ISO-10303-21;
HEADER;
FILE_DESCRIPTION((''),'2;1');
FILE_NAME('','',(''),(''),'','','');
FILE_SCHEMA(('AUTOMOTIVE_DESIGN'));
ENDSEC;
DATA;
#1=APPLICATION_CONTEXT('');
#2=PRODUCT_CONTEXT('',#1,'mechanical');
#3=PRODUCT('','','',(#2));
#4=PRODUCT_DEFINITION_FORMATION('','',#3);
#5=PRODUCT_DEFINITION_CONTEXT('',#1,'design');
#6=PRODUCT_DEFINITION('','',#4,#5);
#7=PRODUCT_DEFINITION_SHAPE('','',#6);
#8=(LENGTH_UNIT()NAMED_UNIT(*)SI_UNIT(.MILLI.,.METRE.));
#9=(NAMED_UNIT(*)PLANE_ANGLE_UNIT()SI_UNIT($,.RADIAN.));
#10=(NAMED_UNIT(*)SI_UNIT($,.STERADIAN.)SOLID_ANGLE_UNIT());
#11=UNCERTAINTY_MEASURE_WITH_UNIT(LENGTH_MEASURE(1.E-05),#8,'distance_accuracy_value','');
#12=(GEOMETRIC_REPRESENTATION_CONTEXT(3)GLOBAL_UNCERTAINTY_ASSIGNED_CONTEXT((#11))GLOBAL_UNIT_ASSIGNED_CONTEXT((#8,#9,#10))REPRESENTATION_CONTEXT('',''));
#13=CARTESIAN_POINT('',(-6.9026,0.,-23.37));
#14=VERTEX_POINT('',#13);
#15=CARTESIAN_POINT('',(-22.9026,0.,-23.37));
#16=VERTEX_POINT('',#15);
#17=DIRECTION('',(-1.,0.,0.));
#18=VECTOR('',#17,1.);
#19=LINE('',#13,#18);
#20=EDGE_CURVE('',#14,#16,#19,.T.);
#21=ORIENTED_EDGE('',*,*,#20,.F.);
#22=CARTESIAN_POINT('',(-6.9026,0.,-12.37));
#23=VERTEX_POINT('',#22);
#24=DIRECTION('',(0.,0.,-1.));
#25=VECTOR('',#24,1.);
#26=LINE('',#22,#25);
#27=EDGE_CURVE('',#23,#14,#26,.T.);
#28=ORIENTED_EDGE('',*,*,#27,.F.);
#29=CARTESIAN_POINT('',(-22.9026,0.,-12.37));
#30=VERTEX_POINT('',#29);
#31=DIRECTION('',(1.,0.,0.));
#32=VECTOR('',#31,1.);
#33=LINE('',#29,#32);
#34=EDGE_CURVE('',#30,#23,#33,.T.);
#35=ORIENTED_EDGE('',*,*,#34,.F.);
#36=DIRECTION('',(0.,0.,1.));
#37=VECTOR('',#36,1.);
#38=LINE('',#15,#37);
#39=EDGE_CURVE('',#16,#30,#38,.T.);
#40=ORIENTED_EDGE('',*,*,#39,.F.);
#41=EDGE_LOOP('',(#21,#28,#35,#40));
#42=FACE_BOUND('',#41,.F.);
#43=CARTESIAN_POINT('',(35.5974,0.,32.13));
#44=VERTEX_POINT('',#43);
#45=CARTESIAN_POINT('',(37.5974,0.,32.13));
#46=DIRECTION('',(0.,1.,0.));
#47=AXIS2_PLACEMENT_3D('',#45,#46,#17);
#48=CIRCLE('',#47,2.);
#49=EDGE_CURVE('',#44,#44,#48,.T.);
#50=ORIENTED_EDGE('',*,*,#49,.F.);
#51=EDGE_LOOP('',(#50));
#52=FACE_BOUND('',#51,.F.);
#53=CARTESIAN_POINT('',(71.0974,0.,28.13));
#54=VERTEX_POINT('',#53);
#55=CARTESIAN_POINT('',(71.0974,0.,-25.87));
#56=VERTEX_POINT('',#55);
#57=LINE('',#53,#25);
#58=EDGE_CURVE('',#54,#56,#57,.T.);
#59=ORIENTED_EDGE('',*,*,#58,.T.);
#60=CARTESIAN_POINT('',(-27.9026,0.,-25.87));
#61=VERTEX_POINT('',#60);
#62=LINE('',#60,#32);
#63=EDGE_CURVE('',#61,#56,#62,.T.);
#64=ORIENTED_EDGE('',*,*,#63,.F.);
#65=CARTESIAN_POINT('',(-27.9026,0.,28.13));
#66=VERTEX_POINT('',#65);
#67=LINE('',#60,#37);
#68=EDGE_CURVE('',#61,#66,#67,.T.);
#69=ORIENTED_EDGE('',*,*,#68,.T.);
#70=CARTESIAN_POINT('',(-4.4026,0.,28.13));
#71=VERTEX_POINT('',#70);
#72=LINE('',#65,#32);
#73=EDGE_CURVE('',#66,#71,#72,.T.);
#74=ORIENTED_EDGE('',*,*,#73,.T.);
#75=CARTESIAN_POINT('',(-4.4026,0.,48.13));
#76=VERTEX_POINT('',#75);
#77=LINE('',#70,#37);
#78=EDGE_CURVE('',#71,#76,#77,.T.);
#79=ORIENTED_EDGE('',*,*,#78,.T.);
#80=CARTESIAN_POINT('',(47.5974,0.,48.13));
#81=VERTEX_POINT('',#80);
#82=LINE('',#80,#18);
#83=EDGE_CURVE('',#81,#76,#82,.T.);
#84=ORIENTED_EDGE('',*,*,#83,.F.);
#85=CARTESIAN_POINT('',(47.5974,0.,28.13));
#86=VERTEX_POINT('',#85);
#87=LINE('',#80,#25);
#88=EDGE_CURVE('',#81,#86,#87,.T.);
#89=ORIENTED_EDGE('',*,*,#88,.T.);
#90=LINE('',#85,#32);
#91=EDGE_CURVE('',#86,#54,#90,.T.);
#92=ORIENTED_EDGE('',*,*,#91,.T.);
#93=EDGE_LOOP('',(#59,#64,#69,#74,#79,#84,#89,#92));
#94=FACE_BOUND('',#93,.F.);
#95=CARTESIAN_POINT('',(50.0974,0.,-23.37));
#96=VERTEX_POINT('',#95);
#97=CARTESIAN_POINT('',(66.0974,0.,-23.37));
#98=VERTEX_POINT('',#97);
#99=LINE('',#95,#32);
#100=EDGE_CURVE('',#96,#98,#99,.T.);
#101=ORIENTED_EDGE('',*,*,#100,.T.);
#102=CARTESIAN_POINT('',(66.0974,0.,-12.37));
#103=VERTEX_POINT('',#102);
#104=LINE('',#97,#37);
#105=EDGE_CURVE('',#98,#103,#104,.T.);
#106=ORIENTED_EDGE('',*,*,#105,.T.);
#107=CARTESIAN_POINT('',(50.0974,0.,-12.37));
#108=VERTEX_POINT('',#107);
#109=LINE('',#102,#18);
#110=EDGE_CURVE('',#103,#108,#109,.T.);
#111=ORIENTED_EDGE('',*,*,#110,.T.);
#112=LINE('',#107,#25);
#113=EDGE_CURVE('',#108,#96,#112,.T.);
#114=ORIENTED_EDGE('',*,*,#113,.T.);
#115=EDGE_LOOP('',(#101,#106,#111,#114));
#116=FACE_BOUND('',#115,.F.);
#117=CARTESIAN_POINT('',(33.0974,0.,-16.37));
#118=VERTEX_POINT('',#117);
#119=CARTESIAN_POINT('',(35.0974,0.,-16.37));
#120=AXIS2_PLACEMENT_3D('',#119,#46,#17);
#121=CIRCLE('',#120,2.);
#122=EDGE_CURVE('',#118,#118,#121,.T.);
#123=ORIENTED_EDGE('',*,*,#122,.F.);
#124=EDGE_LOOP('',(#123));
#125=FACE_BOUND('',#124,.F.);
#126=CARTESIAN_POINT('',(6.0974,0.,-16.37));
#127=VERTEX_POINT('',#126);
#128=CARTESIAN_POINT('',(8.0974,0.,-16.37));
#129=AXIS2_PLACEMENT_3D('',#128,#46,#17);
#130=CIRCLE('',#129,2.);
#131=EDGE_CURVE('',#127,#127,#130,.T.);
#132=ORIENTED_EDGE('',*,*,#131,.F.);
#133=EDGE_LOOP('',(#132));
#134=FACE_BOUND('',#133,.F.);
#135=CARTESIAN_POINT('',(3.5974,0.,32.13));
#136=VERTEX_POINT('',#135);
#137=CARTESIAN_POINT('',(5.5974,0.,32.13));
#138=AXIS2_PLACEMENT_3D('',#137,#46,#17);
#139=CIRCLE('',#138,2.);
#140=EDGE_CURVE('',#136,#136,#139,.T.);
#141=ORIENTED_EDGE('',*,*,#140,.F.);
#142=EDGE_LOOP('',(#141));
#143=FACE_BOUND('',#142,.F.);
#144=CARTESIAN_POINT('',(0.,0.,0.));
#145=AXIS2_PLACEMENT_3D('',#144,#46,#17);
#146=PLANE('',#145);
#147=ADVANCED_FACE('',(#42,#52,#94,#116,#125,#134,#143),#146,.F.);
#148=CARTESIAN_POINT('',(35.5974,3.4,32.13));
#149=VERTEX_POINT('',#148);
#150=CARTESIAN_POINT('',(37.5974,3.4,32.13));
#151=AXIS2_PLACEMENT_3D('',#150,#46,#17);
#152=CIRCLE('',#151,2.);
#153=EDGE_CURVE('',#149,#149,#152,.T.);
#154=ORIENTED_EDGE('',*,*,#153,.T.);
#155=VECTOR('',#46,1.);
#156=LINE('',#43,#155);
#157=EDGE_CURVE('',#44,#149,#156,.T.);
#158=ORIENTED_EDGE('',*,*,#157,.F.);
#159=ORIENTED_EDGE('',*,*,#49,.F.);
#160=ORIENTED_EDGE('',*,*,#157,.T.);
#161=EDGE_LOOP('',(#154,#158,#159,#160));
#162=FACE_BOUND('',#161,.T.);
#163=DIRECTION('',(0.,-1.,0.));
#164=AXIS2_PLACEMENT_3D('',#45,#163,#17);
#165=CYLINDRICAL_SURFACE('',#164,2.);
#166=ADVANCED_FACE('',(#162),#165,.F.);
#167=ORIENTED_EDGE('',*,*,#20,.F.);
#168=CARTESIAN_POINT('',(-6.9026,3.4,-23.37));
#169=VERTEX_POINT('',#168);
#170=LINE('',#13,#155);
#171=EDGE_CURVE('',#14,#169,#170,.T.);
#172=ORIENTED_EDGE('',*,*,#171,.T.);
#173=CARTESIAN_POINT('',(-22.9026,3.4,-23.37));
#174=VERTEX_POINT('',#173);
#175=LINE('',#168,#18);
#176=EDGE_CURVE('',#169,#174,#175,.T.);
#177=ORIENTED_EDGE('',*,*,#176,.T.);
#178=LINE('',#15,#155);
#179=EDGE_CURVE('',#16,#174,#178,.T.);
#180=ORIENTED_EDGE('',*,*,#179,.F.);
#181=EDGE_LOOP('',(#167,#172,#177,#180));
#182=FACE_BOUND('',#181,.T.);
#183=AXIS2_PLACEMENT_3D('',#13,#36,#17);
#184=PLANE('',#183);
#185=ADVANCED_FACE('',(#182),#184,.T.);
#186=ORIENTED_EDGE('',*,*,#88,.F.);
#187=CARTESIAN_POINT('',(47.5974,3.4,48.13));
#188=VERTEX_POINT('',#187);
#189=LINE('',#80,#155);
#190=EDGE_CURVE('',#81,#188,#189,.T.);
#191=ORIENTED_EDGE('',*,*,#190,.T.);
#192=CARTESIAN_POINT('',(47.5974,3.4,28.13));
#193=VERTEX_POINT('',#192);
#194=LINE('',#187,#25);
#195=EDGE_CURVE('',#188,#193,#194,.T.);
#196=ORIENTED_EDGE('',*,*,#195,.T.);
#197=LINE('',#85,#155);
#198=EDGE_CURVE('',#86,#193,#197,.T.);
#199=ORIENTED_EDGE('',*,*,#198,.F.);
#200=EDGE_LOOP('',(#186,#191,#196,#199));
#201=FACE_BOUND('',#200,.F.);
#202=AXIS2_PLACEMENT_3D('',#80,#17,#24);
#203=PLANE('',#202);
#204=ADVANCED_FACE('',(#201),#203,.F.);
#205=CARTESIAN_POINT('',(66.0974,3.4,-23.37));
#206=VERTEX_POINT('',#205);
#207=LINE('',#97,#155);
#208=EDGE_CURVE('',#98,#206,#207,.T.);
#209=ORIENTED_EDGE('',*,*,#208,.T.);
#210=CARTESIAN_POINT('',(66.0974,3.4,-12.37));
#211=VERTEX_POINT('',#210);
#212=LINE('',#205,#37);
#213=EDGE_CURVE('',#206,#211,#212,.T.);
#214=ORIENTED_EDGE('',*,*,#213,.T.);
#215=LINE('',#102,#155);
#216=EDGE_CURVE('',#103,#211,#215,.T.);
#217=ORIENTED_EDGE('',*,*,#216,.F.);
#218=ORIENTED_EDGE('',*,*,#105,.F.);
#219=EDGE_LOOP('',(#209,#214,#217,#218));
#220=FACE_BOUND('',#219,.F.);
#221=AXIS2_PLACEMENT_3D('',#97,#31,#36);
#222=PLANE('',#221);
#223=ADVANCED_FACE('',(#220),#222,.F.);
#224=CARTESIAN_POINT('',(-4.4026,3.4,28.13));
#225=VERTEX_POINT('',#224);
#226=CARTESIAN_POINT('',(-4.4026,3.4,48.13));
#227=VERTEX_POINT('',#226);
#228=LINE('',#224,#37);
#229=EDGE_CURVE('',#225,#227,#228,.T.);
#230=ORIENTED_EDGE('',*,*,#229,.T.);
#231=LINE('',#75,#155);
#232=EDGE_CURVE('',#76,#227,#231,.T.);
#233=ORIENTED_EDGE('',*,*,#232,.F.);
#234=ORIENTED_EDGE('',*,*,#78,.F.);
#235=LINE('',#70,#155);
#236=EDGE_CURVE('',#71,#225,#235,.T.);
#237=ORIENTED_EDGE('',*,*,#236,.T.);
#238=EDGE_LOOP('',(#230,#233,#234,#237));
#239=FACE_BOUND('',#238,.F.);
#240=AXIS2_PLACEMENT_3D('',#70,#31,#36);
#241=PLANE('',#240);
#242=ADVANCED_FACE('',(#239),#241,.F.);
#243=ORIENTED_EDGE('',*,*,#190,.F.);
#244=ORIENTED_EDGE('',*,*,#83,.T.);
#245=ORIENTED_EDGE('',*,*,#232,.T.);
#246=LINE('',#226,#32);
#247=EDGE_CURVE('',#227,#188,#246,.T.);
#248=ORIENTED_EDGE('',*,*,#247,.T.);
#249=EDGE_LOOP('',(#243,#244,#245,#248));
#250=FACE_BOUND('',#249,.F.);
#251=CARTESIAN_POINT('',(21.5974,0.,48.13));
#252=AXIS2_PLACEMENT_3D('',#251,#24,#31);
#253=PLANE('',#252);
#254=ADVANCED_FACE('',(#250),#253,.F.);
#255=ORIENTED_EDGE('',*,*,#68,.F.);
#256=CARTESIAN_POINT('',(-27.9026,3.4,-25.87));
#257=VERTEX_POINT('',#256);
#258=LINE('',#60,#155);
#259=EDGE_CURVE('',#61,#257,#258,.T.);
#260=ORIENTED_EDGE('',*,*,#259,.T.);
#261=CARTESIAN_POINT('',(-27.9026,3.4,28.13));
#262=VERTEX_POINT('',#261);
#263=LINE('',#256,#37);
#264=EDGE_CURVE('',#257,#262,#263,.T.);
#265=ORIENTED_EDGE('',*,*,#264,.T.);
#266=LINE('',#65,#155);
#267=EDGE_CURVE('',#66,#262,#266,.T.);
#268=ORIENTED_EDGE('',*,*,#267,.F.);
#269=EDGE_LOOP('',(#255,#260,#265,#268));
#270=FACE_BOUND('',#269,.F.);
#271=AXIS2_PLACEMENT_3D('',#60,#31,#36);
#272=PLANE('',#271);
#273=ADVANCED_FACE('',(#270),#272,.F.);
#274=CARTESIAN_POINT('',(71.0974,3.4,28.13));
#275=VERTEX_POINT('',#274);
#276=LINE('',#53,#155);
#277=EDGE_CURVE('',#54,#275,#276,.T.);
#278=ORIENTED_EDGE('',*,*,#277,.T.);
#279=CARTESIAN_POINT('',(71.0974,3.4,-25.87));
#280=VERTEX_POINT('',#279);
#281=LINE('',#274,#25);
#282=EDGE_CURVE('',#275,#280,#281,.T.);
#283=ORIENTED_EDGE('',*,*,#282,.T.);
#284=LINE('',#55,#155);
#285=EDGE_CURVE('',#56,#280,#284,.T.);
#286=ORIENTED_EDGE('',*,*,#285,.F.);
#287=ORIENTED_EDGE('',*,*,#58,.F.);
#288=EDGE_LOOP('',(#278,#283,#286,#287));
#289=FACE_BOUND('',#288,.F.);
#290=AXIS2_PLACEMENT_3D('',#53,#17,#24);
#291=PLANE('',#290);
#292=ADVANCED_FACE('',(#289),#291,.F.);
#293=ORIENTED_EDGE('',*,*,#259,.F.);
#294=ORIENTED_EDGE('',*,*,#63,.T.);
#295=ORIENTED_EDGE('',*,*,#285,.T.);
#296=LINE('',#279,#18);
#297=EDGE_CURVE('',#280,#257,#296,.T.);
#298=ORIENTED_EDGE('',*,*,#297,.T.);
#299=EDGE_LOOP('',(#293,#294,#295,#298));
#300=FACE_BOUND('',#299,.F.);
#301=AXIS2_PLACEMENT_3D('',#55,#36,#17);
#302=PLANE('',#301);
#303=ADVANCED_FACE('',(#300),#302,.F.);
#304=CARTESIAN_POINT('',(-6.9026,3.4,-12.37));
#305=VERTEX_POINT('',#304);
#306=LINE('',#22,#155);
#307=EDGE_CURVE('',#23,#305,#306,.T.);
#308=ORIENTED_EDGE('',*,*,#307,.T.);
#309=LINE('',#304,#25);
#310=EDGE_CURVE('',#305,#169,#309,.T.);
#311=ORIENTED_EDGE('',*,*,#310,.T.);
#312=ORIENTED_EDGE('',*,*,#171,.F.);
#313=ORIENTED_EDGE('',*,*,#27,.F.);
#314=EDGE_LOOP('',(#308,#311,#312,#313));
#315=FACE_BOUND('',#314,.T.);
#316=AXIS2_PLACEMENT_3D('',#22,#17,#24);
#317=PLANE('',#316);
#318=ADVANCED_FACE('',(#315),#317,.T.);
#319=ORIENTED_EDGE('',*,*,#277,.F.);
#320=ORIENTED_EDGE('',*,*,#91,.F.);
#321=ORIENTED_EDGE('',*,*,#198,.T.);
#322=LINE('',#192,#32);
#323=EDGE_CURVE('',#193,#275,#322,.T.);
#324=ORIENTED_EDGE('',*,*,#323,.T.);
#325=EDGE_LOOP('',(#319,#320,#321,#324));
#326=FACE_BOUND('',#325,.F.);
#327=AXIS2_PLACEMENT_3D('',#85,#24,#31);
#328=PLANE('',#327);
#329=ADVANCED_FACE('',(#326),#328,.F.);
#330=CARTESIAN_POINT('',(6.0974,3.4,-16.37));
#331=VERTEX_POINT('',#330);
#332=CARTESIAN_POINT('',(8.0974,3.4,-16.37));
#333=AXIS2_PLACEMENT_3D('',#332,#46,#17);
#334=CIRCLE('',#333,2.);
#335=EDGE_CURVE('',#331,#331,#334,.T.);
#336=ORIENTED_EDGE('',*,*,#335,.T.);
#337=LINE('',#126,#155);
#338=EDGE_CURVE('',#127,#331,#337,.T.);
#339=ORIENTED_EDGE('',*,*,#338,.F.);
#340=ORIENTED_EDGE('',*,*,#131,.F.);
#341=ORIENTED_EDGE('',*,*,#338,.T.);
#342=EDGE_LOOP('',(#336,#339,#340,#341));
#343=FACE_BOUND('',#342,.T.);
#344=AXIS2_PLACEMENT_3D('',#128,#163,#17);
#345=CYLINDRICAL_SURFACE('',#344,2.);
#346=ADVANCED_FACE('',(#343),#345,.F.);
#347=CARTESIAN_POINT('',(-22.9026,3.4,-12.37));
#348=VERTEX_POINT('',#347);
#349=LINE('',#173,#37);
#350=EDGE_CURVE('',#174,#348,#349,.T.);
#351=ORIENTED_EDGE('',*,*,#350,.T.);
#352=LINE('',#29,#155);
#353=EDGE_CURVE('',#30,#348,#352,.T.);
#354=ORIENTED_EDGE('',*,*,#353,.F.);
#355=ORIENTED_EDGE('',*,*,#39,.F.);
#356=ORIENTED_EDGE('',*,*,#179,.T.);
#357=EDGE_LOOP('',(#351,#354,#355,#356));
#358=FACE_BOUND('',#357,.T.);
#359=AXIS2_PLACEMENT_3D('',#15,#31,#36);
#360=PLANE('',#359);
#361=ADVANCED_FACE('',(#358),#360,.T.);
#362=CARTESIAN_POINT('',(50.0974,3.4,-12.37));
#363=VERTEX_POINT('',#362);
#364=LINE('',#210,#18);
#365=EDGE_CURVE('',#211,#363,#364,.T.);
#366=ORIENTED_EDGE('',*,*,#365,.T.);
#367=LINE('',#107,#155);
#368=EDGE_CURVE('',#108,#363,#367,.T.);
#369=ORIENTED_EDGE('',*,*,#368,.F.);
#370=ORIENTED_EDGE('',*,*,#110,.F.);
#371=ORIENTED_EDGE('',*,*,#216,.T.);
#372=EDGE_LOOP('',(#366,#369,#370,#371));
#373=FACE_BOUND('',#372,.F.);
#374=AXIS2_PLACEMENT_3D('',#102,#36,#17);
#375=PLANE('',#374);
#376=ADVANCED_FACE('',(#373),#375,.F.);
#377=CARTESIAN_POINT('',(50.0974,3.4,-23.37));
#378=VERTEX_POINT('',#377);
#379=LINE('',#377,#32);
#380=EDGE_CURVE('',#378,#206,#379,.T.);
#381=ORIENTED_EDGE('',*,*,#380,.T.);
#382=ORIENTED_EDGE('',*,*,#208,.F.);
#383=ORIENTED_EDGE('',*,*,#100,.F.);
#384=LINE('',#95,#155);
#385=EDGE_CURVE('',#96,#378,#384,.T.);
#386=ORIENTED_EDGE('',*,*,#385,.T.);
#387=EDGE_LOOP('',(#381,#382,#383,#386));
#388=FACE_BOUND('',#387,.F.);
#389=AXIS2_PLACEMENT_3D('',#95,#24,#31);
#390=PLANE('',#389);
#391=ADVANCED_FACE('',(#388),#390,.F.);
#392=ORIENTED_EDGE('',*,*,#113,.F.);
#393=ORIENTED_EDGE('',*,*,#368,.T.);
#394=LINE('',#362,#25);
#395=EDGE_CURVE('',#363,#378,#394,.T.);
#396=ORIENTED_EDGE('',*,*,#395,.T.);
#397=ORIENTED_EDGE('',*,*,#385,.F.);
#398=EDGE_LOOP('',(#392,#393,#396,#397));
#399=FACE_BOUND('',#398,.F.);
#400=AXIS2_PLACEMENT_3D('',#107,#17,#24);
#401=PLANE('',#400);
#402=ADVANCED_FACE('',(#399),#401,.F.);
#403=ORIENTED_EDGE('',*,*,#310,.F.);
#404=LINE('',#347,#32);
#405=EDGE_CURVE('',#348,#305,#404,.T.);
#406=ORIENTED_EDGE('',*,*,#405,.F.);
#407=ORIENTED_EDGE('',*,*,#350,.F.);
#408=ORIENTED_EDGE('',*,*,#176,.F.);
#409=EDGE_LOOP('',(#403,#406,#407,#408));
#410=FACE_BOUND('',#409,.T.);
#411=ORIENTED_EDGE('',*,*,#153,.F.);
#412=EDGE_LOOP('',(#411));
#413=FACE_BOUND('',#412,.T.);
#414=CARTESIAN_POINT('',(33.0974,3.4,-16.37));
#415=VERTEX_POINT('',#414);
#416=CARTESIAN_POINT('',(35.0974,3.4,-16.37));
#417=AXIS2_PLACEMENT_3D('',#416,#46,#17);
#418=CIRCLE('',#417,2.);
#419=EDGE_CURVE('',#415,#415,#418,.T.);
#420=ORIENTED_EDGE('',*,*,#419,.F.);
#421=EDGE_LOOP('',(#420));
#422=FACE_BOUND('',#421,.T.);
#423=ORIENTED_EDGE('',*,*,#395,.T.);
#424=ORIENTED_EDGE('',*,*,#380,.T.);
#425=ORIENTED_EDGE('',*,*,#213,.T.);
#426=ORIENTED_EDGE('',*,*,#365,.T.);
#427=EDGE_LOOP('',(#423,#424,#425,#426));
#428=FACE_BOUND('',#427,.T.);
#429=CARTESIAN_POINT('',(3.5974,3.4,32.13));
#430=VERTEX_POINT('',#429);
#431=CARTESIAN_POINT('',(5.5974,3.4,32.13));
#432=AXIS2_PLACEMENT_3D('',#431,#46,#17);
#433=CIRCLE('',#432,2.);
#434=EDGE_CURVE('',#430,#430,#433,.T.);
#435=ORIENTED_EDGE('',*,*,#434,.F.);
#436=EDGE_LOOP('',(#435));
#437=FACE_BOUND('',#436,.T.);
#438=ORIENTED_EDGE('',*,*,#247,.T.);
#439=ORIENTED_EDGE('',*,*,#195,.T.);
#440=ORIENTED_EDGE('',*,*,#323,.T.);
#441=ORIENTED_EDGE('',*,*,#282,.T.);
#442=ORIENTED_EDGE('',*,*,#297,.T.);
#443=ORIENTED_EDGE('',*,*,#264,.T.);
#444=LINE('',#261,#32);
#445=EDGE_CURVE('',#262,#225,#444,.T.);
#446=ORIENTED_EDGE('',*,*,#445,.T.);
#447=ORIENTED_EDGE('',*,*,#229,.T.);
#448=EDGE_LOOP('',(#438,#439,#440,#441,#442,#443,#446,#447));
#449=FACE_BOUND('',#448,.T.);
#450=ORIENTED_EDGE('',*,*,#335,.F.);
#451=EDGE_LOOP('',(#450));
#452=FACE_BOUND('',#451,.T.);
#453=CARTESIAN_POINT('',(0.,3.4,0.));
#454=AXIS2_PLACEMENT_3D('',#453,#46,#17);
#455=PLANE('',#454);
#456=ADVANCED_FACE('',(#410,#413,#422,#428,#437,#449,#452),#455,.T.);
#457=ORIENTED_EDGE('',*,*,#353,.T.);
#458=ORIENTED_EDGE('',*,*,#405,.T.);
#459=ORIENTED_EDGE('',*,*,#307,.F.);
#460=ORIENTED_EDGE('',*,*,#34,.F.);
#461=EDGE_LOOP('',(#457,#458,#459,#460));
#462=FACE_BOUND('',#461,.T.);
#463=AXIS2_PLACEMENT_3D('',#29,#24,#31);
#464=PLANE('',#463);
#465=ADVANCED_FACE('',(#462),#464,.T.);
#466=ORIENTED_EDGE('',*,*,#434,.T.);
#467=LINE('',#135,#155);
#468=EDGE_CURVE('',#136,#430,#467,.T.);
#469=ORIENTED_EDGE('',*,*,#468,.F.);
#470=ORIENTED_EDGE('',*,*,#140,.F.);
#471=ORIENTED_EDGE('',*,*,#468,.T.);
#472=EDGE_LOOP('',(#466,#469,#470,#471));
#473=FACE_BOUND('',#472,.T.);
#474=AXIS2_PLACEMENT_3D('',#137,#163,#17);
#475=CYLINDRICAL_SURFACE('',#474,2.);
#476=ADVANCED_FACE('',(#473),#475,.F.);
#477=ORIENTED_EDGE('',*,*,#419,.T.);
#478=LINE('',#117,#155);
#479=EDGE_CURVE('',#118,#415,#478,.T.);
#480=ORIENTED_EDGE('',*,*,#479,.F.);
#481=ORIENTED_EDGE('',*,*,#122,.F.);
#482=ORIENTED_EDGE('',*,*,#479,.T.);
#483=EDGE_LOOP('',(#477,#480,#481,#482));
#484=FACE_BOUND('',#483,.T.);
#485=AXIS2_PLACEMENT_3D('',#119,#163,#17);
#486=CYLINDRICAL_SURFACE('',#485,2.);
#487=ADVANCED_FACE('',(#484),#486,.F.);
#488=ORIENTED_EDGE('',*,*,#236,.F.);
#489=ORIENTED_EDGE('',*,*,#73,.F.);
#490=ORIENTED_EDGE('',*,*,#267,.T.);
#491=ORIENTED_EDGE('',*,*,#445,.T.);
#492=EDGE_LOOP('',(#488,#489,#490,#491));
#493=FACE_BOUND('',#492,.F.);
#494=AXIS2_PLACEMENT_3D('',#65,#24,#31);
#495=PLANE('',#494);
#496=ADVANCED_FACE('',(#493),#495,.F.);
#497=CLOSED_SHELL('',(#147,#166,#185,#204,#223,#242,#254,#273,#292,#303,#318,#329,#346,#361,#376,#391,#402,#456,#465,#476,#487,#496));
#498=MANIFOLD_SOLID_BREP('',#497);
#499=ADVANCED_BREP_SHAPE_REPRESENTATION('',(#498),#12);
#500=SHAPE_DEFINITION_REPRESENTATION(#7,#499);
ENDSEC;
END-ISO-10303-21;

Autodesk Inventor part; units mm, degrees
ref_plane "YZ Plane" through (0, 0, 0) normal (1, 0, 0) x (0, 1, 0)
ref_plane "XZ Plane" through (0, 0, 0) normal (0, 1, 0) x (-1, 0, 0)
ref_plane "XY Plane" through (0, 0, 0) normal (0, 0, 1) x (1, 0, 0)
sketch "Boceto1" plane through (0, 0, 0) normal (0, 1, 0) x (-1, 0, 0)
  line L0 (-71.0974, 28.13) -> (-71.0974, -25.87)
  line L1 (-71.0974, -25.87) -> (27.9026, -25.87)
  line L2 (27.9026, -25.87) -> (27.9026, 28.13)
  line L3 (4.4026, 48.13) -> (-47.5974, 48.13)
  line L4 (-47.5974, 48.13) -> (-47.5974, 28.13)
  line L5 (4.4026, 28.13) -> (4.4026, 48.13)
  line L6 (27.9026, 28.13) -> (4.4026, 28.13)
  line L7 (-47.5974, 28.13) -> (-71.0974, 28.13)
  circle A0 centre (-5.5974, 32.13) radius 2
  line L8 (-21.5974, 48.13) -> (-21.5974, -25.87)
  circle A1 centre (-37.5974, 32.13) radius 2
  line L9 (22.9026, -12.37) -> (6.9026, -12.37)
  line L10 (6.9026, -12.37) -> (6.9026, -23.37)
  line L11 (6.9026, -23.37) -> (22.9026, -23.37)
  line L12 (22.9026, -23.37) -> (22.9026, -12.37)
  line L13 (-66.0974, -12.37) -> (-50.0974, -12.37)
  line L14 (-50.0974, -12.37) -> (-50.0974, -23.37)
  line L15 (-50.0974, -23.37) -> (-66.0974, -23.37)
  line L16 (-66.0974, -23.37) -> (-66.0974, -12.37)
  circle A2 centre (-8.0974, -16.37) radius 2
  circle A3 centre (-35.0974, -16.37) radius 2
  point P0 (0, 0)
  dimension "d0" = 54
  dimension "d1" = 99
  dimension "d2" = 20
  dimension "d3" = 52
  dimension "d4" = 23.5
  dimension "d5" = 23.5
  dimension "d6" = 4
  dimension "d7" = 16
  dimension "d8" = 10
  dimension "d9" = 2.5
  dimension "d10" = 5
  dimension "d11" = 11
  dimension "d12" = 16
  dimension "d13" = 4
  dimension "d15" = 9.5
  dimension "d18" = 34
  dimension "d19" = 15
extrude "Extrusión1" add sketch "Boceto1" along normal blind 3.4
equation "\"Radio_pliegue\" = Grosor"
equation "\"Anchura_desahogo_plegado\" = Grosor"
equation "\"Profundidad_desahogo_plegado\" = 0.5 * Grosor"
equation "\"Tamaño_destalonado\" = 4 * Grosor"
equation "\"Remanente_mínimo\" = 2 * Grosor"
equation "\"Radiodetransición\" = Radio_pliegue"
equation "\"Tamaño_de_radio_de_Jacobi\" = Radio_pliegue"
equation "\"TamañoSeparación\" = Grosor"
equation "\"Grosor\" = 0.5"
properties part number "PlacaInferior"
